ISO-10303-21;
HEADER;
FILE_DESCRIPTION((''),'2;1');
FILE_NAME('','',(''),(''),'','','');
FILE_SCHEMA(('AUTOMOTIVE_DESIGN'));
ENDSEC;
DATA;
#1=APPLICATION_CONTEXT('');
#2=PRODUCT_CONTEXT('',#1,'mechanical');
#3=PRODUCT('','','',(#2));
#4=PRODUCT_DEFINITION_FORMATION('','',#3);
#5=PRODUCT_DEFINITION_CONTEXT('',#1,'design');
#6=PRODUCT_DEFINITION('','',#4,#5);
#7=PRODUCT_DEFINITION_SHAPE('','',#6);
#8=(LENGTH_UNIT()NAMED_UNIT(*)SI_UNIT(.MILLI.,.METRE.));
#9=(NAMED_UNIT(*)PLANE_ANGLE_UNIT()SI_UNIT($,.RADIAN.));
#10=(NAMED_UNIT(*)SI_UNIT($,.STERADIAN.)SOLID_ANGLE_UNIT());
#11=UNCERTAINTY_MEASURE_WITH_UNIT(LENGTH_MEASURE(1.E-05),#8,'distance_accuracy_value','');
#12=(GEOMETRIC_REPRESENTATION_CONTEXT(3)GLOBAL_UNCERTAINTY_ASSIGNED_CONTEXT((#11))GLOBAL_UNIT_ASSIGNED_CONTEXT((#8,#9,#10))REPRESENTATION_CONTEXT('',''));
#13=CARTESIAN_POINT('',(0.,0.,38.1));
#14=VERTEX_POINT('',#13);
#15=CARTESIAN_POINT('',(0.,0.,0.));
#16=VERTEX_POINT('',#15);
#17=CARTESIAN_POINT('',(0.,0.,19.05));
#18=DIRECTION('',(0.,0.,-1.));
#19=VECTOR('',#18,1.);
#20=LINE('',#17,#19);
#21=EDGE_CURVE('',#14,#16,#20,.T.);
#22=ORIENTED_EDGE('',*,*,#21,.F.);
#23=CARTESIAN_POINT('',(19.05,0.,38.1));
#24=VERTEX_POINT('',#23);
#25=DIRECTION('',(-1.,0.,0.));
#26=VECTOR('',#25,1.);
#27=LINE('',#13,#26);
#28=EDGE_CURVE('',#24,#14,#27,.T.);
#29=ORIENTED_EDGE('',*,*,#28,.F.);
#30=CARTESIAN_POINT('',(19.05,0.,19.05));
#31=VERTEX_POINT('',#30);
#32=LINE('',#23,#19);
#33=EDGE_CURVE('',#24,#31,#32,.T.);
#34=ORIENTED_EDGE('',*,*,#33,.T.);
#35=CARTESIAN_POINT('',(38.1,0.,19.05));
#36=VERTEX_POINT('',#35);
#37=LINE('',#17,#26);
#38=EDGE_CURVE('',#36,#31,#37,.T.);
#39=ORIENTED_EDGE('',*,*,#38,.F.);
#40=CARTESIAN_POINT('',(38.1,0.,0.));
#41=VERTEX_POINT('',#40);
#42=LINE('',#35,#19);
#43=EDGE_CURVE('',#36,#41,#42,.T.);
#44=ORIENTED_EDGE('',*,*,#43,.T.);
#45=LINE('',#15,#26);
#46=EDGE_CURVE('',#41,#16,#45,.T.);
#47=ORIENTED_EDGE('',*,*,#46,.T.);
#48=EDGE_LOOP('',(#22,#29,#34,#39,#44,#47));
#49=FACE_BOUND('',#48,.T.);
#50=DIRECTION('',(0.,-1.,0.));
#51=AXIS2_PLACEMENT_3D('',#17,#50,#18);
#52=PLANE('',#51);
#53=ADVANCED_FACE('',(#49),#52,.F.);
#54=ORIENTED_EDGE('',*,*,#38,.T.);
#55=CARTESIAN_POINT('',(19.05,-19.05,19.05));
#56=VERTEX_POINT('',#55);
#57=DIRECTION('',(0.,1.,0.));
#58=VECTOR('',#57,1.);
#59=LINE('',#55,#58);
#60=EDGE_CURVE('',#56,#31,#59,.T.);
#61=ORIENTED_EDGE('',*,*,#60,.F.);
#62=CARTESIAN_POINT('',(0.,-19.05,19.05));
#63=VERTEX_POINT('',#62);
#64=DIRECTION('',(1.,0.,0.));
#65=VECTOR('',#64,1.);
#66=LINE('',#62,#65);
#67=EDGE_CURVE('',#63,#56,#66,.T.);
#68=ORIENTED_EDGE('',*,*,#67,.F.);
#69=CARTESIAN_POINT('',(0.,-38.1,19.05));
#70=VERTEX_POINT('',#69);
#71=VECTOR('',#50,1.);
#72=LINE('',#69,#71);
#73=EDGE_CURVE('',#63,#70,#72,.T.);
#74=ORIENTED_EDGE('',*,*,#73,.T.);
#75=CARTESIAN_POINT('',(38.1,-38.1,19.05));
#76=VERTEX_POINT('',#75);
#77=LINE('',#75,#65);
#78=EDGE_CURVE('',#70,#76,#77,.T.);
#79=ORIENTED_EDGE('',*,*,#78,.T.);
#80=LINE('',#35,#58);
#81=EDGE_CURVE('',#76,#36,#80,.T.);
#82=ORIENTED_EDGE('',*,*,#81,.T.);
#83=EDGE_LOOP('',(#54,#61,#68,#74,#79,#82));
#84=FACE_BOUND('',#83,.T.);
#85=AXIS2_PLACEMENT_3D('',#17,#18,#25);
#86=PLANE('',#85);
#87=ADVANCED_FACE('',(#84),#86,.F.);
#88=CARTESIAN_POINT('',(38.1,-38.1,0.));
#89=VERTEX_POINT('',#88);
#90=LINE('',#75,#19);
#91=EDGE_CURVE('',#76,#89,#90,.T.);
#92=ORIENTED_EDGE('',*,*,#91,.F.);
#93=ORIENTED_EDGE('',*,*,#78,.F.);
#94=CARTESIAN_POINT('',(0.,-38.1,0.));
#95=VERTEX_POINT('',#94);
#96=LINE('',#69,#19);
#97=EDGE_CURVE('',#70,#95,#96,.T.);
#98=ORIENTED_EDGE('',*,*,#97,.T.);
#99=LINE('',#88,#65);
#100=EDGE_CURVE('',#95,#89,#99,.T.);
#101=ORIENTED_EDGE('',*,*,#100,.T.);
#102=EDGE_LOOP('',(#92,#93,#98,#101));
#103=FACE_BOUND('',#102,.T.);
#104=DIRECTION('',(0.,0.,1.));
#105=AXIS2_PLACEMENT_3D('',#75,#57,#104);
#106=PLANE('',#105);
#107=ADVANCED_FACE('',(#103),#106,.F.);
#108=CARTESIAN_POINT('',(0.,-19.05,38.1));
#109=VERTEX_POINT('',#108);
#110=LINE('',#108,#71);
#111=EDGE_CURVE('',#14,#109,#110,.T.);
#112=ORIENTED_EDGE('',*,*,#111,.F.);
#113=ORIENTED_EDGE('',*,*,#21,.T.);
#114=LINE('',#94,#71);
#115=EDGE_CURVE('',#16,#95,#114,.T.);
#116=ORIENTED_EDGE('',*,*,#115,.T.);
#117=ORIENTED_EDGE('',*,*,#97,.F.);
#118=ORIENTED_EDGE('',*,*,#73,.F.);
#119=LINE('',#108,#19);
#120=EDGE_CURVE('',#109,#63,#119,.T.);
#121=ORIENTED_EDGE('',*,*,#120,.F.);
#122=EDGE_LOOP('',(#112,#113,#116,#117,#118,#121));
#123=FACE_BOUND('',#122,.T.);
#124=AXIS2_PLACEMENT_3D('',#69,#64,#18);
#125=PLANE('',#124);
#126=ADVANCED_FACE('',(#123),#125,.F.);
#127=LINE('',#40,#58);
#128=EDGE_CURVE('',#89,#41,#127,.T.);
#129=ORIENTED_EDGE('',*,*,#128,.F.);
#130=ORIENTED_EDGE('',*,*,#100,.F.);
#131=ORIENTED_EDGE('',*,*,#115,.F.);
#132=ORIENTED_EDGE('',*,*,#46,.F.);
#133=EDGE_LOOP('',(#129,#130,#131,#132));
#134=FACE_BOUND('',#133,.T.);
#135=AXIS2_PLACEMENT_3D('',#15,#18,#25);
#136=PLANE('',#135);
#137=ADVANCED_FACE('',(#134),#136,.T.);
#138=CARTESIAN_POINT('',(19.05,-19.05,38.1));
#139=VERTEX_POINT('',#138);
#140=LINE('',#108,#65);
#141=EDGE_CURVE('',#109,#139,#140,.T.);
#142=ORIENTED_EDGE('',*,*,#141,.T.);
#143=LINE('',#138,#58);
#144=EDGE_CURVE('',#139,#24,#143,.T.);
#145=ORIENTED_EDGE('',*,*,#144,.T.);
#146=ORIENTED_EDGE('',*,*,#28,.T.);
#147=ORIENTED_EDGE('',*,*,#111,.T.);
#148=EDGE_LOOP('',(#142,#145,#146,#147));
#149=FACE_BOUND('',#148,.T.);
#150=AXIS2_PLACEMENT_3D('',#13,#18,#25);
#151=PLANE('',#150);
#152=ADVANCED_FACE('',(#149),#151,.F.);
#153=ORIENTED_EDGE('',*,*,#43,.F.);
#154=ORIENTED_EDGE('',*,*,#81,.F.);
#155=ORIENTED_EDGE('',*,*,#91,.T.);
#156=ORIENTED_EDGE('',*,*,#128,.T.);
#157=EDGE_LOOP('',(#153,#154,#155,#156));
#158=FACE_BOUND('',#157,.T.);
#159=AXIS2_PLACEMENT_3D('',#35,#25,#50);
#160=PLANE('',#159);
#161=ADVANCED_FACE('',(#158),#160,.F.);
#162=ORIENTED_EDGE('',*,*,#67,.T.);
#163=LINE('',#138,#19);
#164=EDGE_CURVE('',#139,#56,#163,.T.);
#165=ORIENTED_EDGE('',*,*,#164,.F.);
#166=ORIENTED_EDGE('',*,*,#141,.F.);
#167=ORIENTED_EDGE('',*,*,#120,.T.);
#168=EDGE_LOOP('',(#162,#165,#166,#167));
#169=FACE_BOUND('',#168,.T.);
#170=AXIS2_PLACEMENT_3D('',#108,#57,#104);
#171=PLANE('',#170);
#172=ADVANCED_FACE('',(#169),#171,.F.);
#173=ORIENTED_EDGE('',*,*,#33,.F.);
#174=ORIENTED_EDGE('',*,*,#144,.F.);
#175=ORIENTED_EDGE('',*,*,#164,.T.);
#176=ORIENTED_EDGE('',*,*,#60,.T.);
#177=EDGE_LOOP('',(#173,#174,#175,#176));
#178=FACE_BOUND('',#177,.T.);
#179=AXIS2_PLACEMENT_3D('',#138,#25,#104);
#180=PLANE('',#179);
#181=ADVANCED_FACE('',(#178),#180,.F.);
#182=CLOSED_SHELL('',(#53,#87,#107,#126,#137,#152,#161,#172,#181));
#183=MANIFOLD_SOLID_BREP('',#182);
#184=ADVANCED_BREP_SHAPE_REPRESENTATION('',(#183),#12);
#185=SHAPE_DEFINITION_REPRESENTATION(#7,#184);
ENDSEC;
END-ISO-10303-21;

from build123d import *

# Parameters (mm, degrees)
SKETCH1_W           = 38.1
SKETCH1_H           = 38.1
BOSS_EXTRUDE1_DEPTH = 19.05
SKETCH2_W           = 19.05
SKETCH2_H           = 19.05
BOSS_EXTRUDE2_DEPTH = 19.05


with BuildPart() as part:
    # Sketch1 → Boss-Extrude1 (new body)
    with BuildSketch(Plane.XY):
        with Locations((19.05, -19.05)):
            Rectangle(SKETCH1_W, SKETCH1_H)
    extrude(amount=BOSS_EXTRUDE1_DEPTH)

    # Sketch2 → Boss-Extrude2 (add)
    with BuildSketch(Plane.XY.offset(19.05)):
        with Locations((9.525, -9.525)):
            Rectangle(SKETCH2_W, SKETCH2_H)
    extrude(amount=BOSS_EXTRUDE2_DEPTH)


solid = part.part
